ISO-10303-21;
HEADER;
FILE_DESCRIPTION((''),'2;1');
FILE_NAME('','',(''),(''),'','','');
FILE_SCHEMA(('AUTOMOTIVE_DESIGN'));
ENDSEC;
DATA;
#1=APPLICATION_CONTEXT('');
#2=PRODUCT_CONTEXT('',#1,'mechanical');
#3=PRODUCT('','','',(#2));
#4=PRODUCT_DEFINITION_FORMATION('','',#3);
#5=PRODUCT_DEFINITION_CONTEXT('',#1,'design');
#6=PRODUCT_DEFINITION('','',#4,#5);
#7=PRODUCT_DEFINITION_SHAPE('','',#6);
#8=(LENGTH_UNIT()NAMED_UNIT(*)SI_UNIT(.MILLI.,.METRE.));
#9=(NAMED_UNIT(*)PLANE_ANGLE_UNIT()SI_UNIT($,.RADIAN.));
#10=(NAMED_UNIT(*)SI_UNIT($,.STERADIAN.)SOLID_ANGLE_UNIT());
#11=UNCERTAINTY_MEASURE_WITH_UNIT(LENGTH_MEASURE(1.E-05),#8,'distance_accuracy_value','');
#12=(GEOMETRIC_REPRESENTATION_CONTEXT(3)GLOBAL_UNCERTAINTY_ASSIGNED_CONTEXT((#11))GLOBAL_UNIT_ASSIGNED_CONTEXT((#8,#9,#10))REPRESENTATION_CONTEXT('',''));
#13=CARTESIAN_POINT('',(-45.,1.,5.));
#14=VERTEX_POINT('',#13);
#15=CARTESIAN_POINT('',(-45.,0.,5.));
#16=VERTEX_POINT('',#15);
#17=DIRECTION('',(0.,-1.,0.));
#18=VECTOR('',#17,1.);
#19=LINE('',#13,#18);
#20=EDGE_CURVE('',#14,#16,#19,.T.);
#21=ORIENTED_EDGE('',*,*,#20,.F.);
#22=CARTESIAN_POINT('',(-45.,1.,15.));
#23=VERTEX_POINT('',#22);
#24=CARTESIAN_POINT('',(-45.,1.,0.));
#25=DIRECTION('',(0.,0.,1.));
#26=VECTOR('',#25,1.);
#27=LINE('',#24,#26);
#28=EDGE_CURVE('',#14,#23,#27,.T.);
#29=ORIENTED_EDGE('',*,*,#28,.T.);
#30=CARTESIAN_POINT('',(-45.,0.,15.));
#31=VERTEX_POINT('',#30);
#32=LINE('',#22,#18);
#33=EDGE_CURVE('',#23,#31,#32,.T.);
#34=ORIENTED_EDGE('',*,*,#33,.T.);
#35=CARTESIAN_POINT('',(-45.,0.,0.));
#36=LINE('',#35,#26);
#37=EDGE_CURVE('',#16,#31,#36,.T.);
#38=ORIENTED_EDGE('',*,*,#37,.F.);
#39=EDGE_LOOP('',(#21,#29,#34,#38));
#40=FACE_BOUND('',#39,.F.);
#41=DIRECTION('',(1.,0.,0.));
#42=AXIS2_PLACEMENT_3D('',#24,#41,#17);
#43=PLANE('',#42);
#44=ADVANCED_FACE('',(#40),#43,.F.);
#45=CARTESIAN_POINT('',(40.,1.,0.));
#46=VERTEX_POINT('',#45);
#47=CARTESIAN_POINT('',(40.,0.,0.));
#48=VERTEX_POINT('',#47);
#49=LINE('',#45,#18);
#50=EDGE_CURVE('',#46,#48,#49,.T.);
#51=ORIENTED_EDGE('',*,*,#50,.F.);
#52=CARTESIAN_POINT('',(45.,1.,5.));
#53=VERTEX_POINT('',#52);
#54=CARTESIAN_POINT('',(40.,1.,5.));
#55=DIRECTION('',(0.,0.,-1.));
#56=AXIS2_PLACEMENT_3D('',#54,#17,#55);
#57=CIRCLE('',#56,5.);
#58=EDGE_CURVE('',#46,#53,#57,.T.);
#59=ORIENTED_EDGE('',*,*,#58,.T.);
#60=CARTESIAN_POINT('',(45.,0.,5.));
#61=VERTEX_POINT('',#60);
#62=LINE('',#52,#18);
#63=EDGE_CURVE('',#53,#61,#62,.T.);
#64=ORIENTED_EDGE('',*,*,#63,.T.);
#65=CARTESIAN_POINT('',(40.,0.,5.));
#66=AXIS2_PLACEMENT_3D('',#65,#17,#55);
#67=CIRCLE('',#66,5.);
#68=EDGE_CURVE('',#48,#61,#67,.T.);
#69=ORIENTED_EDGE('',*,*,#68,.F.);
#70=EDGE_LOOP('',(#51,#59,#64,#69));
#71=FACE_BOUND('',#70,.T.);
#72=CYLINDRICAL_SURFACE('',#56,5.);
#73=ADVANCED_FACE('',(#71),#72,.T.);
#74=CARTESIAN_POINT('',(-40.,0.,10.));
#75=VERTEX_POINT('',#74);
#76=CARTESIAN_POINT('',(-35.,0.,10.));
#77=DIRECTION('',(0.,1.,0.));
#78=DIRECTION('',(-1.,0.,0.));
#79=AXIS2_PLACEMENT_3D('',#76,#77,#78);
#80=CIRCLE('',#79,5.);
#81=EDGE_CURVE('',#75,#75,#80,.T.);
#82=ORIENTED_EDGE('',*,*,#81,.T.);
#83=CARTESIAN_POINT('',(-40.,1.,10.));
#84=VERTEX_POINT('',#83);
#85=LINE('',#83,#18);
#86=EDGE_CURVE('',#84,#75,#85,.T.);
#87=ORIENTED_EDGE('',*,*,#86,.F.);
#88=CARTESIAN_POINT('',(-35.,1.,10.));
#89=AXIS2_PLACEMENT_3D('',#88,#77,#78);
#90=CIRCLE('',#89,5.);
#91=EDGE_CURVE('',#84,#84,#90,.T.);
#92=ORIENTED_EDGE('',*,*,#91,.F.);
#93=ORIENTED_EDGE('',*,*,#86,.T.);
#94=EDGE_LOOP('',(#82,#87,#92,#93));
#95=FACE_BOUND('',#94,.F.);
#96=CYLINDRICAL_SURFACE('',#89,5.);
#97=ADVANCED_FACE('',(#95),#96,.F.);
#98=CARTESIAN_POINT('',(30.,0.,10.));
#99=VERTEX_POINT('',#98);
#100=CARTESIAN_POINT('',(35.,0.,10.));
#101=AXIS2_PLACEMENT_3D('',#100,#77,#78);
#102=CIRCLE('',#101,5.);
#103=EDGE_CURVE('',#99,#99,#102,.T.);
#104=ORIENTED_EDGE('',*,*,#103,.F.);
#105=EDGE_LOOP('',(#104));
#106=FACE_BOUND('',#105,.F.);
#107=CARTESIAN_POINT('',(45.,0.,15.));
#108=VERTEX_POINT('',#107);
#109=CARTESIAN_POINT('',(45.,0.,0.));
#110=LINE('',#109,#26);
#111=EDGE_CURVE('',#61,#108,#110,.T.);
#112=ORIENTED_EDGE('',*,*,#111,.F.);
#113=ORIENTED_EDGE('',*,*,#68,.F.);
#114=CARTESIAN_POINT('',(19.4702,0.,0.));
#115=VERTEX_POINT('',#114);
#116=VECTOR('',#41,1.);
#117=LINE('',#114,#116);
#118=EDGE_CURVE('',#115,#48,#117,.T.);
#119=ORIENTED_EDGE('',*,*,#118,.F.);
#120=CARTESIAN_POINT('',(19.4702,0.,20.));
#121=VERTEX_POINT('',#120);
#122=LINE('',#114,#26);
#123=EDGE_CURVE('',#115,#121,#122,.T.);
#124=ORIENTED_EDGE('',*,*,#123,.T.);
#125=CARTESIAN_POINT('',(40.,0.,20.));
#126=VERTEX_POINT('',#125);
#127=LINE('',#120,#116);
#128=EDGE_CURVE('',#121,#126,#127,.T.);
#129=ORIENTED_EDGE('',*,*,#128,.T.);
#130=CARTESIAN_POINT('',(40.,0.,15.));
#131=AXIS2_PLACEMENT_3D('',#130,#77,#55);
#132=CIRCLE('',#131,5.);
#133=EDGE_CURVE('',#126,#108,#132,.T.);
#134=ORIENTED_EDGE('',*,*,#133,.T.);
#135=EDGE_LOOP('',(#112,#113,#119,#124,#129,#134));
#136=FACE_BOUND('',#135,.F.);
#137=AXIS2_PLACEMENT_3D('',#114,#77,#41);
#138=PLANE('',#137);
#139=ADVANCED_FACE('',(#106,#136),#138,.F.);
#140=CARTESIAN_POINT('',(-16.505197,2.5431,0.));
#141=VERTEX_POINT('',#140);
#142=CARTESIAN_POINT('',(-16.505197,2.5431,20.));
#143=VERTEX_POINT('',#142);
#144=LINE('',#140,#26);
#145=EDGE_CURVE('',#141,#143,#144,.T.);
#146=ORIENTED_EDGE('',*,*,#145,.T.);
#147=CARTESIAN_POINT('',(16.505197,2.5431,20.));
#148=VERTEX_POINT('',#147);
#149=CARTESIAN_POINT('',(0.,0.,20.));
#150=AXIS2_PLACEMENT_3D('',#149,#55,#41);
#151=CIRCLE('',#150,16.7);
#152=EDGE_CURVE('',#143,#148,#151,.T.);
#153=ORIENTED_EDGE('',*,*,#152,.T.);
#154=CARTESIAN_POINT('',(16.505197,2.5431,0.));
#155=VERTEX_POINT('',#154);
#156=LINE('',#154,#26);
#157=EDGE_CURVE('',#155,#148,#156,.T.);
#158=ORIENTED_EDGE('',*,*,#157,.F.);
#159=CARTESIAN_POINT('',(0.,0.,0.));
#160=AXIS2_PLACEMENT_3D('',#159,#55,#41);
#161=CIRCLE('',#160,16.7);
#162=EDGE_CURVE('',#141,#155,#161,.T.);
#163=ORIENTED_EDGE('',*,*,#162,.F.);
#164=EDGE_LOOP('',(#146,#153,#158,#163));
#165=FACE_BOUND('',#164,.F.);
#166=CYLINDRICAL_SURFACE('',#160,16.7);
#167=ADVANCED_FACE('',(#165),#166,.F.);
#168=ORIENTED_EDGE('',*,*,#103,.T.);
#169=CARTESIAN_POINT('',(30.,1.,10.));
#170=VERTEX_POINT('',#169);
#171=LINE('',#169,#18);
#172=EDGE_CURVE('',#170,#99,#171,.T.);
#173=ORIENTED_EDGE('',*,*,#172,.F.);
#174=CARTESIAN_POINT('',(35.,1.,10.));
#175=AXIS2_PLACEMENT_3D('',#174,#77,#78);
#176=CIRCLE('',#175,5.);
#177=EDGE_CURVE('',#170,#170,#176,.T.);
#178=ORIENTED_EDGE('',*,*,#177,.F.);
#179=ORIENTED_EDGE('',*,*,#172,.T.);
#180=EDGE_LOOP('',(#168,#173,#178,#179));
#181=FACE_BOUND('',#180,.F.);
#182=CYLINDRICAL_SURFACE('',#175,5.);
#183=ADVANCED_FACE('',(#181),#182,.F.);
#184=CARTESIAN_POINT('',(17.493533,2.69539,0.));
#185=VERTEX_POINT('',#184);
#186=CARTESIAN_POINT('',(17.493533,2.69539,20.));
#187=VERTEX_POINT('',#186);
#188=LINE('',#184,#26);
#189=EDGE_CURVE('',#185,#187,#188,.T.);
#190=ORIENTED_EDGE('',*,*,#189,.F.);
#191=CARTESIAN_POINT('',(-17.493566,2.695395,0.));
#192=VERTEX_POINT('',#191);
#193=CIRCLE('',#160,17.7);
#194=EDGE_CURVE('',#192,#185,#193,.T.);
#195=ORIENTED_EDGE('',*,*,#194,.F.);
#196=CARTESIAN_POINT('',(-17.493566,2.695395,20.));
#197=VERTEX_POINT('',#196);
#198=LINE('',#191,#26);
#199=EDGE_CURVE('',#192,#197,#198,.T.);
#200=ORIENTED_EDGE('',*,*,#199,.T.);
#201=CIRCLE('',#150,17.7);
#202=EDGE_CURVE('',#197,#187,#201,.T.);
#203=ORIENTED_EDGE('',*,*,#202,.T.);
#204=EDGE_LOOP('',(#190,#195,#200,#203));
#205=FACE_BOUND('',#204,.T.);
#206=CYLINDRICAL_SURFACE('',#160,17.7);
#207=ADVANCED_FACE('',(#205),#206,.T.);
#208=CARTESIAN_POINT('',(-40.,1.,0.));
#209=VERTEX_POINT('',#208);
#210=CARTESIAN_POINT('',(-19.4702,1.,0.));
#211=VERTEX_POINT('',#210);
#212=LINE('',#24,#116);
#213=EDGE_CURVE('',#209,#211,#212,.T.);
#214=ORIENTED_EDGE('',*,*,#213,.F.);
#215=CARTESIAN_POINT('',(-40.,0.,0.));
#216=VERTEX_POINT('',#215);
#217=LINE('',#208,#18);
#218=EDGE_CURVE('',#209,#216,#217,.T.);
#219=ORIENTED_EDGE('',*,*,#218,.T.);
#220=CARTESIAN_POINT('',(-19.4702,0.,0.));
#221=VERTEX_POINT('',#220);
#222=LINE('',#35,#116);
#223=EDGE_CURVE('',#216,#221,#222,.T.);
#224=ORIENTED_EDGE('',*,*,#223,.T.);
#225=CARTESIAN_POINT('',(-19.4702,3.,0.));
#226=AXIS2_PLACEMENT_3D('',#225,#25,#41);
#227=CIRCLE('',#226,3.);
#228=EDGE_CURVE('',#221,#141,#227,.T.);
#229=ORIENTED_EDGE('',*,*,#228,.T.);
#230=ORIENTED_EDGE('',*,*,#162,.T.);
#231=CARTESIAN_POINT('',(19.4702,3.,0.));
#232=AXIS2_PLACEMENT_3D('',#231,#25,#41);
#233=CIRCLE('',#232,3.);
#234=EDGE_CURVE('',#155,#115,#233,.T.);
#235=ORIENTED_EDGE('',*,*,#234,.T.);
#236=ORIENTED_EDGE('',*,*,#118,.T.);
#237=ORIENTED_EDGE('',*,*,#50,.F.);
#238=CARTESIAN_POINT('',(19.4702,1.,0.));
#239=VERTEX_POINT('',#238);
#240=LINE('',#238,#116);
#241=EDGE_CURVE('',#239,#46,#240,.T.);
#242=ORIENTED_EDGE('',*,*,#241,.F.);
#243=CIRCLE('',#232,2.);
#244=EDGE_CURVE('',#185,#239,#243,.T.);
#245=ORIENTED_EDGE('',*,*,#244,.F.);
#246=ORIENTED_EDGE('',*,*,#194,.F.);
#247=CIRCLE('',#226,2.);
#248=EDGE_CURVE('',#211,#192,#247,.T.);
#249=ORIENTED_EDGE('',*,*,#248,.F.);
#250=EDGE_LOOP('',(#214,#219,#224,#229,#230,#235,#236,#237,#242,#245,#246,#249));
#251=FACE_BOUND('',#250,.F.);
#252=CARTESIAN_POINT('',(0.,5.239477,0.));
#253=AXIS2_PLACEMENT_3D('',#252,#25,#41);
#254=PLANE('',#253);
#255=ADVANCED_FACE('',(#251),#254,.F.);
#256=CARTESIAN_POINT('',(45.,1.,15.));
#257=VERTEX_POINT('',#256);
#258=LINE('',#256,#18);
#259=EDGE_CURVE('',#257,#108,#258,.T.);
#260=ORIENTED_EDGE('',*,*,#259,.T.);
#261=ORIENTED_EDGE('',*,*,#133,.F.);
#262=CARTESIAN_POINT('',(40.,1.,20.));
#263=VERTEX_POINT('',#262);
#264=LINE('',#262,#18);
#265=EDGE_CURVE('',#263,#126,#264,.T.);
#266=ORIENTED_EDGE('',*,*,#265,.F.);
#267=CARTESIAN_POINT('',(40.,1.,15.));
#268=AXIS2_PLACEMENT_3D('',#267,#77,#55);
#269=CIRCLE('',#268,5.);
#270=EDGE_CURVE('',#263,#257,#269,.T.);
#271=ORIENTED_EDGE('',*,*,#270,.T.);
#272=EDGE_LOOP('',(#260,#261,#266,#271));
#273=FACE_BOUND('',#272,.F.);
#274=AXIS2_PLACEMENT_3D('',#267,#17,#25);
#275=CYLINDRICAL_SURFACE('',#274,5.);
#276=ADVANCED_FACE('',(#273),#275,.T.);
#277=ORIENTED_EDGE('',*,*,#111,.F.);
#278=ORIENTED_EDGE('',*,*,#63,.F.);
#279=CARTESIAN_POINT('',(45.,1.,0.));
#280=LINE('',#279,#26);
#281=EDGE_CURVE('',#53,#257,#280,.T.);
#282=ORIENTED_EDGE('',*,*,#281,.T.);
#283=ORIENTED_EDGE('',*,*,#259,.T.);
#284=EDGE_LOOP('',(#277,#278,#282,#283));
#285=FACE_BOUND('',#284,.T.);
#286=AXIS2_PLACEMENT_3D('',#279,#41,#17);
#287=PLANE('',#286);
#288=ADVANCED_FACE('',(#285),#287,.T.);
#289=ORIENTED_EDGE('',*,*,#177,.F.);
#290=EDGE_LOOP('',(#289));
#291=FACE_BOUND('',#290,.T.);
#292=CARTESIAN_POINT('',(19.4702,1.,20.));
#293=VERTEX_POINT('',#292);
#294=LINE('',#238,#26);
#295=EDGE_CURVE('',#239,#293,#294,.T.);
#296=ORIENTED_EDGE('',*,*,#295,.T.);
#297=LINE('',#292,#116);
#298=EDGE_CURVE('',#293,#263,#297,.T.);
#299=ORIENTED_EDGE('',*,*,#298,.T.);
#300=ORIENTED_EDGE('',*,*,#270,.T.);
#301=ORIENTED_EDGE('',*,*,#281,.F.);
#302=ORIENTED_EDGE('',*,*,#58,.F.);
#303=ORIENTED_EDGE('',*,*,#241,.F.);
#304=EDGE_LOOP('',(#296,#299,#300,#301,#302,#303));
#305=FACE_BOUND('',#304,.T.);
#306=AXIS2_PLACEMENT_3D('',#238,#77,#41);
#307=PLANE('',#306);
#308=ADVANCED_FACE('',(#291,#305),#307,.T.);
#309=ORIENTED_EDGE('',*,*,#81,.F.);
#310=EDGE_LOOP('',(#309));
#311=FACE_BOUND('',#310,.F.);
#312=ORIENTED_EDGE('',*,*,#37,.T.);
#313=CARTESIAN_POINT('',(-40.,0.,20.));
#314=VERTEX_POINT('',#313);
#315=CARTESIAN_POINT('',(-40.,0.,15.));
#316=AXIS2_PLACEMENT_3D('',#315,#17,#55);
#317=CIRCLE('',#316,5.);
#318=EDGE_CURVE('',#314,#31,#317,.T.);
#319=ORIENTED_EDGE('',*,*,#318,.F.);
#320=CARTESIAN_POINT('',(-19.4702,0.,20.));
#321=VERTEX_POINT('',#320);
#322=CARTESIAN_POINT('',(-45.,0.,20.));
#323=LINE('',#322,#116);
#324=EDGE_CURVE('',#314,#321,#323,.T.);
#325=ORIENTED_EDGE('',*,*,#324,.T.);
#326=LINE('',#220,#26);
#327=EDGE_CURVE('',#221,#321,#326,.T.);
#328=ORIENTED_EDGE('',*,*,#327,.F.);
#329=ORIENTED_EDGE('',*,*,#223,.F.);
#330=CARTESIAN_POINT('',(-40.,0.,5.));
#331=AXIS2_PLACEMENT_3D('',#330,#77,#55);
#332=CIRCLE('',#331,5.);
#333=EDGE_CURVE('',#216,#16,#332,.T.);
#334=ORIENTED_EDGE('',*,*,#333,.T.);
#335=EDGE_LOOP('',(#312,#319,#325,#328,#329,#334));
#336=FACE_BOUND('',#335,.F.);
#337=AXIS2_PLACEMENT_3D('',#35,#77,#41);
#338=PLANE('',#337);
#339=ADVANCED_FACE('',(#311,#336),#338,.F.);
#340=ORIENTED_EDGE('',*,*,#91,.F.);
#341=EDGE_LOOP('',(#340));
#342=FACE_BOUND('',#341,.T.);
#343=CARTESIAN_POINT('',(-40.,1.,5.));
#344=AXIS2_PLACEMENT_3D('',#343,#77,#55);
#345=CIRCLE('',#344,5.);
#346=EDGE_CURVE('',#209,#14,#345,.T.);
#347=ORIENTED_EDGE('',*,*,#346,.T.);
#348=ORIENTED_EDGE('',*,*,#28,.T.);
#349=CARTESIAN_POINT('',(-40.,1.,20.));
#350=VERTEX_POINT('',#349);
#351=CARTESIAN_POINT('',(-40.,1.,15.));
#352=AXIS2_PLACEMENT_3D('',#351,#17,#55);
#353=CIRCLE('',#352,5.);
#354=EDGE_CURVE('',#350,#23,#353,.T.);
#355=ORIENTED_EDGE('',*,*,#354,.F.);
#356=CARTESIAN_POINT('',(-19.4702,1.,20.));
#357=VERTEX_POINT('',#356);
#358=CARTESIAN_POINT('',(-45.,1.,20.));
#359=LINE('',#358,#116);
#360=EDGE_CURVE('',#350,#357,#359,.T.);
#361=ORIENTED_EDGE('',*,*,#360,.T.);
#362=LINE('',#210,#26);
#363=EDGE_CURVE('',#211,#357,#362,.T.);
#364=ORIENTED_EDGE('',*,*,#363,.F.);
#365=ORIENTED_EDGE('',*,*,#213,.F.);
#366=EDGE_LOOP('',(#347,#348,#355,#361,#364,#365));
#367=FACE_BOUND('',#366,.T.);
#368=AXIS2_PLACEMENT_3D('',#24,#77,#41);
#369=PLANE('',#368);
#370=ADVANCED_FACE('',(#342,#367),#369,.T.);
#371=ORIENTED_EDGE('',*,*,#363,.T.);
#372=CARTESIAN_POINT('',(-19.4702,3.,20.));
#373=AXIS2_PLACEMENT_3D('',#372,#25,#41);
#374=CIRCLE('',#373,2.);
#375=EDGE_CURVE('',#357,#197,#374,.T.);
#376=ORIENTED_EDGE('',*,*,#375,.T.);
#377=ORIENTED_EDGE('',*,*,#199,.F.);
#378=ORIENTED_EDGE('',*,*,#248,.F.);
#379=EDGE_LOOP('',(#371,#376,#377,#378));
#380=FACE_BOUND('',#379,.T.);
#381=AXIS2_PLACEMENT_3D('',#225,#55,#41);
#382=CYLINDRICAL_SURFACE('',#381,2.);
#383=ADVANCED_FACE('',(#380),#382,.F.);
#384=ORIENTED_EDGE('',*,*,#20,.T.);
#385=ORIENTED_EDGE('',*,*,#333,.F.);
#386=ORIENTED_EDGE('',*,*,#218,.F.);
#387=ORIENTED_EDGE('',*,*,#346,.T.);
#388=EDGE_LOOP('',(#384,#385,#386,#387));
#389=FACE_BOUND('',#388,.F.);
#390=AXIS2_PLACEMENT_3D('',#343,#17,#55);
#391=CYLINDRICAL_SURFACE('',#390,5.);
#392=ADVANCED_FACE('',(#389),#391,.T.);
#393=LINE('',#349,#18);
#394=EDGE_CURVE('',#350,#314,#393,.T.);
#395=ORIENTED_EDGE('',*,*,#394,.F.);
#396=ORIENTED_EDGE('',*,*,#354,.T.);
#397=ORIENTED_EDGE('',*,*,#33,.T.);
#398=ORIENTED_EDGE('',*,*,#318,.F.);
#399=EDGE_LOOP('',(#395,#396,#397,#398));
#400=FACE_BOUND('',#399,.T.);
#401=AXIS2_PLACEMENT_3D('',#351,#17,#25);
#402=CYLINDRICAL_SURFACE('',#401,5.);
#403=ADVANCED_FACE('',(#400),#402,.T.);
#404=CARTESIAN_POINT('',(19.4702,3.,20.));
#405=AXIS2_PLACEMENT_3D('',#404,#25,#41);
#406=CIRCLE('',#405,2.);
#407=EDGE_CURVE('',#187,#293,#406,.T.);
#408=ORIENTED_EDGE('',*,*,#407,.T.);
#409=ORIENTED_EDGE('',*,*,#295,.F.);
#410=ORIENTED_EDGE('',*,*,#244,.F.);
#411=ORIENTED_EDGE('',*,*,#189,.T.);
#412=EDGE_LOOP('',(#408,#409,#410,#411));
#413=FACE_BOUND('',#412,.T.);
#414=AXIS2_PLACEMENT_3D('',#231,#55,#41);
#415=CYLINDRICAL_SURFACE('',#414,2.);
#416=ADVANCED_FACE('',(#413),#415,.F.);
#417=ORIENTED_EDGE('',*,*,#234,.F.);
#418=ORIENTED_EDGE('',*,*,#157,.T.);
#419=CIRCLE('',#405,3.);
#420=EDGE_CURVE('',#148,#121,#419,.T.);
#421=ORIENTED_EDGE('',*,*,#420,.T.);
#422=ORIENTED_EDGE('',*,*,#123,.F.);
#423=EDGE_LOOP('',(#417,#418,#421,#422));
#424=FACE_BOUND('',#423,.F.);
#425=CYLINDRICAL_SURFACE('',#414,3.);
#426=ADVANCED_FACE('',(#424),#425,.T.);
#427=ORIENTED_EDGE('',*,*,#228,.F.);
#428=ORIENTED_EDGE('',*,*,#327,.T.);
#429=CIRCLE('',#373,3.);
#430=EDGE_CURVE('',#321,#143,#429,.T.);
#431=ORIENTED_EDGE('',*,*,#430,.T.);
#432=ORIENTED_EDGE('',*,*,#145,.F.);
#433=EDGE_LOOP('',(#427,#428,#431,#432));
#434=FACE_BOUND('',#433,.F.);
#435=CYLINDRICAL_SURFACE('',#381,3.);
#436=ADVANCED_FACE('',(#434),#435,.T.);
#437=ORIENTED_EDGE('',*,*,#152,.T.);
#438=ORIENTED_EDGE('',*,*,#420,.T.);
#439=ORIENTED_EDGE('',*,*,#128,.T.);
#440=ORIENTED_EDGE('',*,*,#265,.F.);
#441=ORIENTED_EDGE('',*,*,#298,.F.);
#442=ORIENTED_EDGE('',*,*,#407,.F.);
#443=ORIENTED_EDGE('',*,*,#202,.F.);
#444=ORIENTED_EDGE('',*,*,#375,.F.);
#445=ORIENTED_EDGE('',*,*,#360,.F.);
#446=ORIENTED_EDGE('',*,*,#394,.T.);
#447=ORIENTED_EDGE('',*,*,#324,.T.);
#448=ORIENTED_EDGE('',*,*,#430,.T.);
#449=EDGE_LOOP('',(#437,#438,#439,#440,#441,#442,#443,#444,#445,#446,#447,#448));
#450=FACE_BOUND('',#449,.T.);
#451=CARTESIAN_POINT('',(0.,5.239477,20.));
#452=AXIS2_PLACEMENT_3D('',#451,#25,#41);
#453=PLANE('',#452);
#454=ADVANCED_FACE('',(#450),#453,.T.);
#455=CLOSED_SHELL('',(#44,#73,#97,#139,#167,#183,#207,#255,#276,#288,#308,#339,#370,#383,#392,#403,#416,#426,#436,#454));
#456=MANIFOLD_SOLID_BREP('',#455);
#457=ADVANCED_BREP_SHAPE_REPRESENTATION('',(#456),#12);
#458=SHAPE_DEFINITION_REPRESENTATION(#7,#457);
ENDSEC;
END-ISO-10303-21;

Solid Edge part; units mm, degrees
sketch "Sketch1" plane through (0, 0, 0) normal (0, 0, 1) x (1, 0, 0)
  line L0 (19.4702, 0) -> (45, 0)
  line L1 (45, 1) -> (45, 0)
  line L2 (19.4702, 1) -> (45, 1)
  arc A0 (17.4936, 2.6954) -> (19.4702, 1) centre (19.4702, 3) ccw
  arc A1 (-17.4936, 2.6954) -> (17.4936, 2.6954) centre (0, 0) cw
  arc A2 (-19.4702, 1) -> (-17.4936, 2.6954) centre (-19.4702, 3) ccw
  line L3 (-45, 1) -> (-19.4702, 1)
  line L4 (-45, 1) -> (-45, 0)
  line L5 (-45, 0) -> (-19.4702, 0)
  arc A3 (-19.4702, 0) -> (-16.5052, 2.5431) centre (-19.4702, 3) ccw
  arc A4 (16.5052, 2.5431) -> (19.4702, 0) centre (19.4702, 3) ccw
  arc A5 (-16.5052, 2.5431) -> (16.5052, 2.5431) centre (0, 0) cw
extrude "Protrusion1" add sketch "Sketch1" along normal blind 20
sketch "Sketch2" plane through (-32.2351, 1, 10) normal (0, 1, 0) x (-1, 0, 0)
  circle A0 centre (2.7649, 0) radius 5
  circle A1 centre (-67.2351, 0) radius 5
  dimension "D1" = 10
  dimension "D2" = 10
  dimension "D3" = 10
extrude "Cutout1" cut sketch "Sketch2" against normal up to next
fillet "Round_1" radius 5 4 edges at (-45, 0.5, 20) (-45, 0.5, 0) (45, 0.5, 20) (45, 0.5, 0)
properties material "Steel, structural"
